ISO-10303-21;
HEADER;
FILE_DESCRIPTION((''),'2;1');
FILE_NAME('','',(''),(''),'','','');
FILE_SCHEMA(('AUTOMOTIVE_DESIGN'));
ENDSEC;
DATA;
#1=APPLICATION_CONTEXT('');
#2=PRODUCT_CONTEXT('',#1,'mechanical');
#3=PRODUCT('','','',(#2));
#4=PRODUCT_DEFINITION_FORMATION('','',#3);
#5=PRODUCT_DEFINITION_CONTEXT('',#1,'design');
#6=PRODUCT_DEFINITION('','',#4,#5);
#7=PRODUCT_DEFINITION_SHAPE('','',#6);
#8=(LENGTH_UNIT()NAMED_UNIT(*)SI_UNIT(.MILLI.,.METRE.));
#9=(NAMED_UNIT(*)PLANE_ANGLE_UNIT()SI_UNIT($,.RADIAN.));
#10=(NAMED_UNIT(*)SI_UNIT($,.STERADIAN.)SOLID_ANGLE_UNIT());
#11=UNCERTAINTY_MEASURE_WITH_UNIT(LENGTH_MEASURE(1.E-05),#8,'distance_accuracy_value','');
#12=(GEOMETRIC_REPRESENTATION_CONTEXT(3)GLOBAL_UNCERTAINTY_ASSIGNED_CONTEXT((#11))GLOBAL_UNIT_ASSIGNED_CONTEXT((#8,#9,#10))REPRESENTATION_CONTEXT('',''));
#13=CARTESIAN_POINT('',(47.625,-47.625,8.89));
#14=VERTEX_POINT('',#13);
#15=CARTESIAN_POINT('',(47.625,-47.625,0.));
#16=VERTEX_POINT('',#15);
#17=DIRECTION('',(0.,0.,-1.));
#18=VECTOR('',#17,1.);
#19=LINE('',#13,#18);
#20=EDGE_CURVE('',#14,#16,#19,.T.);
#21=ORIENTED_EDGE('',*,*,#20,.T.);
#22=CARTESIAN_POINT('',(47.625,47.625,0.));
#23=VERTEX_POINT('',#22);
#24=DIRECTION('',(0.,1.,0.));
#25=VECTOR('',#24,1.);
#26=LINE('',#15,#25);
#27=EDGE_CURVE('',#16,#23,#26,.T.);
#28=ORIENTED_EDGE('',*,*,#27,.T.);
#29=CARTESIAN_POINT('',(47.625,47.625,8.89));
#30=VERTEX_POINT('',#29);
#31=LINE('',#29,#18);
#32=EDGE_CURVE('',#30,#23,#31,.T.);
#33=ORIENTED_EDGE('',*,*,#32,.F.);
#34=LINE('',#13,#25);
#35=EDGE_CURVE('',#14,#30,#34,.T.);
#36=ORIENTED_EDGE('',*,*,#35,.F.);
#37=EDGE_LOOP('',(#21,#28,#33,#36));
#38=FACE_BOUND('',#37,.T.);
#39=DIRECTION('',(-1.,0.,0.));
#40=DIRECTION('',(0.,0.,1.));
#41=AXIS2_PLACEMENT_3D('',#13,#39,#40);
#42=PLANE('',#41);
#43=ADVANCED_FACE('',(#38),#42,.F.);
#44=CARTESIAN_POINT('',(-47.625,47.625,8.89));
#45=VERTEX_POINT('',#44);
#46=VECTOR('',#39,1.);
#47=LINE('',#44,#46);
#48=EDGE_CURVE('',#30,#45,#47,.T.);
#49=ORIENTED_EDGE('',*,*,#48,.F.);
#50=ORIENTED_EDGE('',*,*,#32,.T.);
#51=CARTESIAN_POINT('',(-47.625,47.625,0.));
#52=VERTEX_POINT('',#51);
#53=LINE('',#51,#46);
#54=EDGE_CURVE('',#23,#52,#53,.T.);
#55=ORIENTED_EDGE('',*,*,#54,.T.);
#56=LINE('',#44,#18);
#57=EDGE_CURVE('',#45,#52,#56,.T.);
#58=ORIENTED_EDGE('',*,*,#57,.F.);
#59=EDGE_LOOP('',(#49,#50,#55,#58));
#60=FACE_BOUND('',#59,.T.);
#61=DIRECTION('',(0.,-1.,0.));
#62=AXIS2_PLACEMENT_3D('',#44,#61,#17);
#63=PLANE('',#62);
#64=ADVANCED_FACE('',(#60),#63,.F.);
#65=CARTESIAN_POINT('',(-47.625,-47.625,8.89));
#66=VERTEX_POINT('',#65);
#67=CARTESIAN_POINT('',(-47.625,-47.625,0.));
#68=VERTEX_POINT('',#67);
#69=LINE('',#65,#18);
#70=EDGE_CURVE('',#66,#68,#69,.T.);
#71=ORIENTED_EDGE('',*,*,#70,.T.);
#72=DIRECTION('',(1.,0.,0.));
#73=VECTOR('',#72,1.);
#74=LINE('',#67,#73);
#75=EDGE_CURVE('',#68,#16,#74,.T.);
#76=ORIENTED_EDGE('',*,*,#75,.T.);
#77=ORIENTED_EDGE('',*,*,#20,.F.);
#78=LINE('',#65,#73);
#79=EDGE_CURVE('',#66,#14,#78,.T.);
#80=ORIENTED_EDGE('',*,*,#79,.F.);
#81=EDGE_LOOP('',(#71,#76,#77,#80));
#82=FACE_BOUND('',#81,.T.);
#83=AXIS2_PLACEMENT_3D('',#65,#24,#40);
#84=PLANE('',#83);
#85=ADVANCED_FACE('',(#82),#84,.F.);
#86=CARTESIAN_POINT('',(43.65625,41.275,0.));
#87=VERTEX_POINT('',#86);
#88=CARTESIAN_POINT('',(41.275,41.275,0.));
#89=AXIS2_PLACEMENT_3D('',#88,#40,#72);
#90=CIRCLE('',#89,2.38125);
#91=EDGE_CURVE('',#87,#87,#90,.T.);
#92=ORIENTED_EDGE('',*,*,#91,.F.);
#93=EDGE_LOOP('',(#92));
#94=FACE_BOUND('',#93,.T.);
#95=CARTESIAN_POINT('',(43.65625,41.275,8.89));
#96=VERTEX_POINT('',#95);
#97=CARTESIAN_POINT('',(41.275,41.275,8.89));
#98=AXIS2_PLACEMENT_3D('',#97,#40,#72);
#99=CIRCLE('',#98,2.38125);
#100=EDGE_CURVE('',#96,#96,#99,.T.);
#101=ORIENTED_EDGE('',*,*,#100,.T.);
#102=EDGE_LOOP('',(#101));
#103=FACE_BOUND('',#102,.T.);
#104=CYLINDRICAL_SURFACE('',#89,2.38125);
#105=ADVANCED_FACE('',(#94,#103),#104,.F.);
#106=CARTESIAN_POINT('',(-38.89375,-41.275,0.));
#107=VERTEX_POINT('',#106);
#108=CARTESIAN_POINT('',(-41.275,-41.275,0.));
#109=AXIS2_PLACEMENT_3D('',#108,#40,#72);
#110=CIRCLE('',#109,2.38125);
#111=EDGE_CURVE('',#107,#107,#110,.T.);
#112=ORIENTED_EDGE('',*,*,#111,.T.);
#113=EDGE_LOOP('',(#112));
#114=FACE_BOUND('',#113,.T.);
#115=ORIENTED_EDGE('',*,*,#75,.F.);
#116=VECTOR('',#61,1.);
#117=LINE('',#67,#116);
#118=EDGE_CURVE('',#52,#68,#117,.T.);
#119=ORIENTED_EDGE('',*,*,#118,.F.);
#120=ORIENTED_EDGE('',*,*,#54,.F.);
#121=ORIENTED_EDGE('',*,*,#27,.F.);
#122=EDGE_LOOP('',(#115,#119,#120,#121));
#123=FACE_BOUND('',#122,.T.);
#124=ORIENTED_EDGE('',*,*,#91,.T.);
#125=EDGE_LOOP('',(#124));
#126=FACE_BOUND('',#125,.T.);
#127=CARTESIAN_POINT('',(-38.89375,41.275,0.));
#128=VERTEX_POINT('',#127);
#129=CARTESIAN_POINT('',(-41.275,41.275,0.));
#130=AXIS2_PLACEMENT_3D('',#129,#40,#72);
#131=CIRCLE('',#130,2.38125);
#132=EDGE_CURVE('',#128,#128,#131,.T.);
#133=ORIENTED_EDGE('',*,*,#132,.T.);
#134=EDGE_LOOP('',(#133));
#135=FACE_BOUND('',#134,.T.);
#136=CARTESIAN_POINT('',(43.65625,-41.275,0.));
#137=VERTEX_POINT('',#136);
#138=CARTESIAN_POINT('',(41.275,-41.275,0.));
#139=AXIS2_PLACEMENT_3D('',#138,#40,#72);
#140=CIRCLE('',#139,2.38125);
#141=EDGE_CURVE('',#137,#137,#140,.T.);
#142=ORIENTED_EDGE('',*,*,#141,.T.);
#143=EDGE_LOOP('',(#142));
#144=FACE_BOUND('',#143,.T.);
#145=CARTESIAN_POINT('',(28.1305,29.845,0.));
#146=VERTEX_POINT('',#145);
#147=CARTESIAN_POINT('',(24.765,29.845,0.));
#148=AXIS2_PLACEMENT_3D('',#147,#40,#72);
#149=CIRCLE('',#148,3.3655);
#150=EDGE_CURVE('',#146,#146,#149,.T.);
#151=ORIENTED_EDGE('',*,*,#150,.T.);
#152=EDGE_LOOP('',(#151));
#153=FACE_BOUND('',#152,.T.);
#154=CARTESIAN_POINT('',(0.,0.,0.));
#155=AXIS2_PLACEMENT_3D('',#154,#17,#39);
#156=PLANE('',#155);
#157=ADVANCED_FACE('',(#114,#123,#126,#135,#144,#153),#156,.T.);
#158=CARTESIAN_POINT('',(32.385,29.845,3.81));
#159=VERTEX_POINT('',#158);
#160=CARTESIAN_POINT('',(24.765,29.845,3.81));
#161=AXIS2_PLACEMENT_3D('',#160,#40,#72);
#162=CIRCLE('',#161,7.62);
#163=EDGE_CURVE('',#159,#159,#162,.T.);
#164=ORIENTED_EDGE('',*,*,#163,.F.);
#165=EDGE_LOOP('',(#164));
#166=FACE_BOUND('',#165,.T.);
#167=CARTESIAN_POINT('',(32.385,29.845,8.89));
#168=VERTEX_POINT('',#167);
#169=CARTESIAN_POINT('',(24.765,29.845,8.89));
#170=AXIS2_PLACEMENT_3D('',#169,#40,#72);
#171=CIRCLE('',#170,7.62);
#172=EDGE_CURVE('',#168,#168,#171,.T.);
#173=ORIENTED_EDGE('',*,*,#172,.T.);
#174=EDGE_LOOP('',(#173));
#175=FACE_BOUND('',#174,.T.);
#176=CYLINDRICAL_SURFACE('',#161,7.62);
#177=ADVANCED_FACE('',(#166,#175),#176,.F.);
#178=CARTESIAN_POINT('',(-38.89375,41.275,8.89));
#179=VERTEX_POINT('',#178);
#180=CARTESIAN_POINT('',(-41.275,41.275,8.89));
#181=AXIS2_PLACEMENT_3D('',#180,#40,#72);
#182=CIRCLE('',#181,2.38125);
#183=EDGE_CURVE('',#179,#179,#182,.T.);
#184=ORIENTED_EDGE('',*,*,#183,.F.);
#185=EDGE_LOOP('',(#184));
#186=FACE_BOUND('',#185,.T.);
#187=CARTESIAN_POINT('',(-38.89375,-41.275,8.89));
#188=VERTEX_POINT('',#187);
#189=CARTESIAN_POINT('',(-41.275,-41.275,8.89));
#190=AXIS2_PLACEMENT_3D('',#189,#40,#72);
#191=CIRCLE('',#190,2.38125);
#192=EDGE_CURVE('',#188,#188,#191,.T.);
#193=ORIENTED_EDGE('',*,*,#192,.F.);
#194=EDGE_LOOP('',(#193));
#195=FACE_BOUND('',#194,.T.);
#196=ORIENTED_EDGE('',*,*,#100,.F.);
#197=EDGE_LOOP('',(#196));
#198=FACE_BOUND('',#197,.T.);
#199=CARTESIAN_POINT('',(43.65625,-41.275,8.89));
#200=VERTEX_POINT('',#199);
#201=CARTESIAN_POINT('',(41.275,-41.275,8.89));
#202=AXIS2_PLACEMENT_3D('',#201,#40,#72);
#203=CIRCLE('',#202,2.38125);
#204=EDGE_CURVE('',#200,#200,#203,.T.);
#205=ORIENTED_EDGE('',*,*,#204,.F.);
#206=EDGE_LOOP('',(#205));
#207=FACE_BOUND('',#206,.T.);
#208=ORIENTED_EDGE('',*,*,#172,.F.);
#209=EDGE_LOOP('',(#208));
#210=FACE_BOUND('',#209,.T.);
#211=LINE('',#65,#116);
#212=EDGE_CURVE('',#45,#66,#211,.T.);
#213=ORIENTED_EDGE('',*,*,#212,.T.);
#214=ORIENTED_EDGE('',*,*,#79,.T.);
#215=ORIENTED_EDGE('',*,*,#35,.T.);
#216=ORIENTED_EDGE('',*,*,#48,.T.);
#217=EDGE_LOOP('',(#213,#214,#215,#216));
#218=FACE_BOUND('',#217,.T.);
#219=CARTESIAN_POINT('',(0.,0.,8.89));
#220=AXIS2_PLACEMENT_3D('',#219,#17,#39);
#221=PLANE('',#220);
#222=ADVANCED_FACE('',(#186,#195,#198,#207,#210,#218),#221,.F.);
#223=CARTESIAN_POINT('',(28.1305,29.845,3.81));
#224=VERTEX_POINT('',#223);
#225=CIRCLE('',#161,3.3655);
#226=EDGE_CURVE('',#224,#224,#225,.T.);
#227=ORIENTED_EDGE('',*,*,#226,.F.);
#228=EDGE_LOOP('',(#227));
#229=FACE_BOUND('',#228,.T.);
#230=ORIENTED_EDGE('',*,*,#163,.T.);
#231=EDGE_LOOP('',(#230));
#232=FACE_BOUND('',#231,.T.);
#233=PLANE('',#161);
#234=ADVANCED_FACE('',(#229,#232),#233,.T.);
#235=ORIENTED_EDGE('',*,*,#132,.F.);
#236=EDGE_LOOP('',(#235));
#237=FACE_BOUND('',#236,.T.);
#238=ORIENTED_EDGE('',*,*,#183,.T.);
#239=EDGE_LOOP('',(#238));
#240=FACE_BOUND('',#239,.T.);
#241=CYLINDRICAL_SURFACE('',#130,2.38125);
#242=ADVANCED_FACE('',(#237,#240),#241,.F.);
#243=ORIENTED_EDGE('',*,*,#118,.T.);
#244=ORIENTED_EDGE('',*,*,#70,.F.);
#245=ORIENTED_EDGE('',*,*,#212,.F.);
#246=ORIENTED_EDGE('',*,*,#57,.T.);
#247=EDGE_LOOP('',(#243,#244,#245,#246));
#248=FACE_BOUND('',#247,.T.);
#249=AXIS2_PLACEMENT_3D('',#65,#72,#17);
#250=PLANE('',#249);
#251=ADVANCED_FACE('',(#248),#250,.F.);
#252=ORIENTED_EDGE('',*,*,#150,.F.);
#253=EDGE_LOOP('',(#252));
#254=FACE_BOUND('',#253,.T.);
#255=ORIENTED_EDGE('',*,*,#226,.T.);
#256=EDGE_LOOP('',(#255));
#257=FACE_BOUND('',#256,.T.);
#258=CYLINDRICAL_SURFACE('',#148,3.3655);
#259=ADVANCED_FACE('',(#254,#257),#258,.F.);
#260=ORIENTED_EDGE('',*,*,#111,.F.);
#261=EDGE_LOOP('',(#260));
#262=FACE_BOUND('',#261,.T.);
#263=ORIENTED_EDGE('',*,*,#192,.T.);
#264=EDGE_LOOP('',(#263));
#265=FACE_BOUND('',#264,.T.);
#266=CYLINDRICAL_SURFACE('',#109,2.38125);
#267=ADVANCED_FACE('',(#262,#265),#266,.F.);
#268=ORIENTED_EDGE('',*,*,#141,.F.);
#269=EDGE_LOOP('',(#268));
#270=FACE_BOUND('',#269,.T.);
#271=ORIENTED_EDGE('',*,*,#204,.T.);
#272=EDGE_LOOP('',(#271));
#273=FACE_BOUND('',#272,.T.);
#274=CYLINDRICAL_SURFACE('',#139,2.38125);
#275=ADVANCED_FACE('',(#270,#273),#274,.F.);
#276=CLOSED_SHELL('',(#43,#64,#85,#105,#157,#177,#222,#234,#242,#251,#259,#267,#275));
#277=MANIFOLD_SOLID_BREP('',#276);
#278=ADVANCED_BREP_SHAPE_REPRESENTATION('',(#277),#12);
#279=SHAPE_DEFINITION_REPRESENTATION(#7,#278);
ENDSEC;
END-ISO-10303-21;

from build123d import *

# Parameters (mm, degrees)
SKETCH1_W           = 95.25
SKETCH1_H           = 95.25
BOSS_EXTRUDE1_DEPTH = 8.89
SKETCH2_OUTSIDE_W   = 124.25
SKETCH2_OUTSIDE_H   = 124.25
SKETCH2_OUTSIDE_W_2 = 95.25
SKETCH2_OUTSIDE_H_2 = 95.25
SKETCH2_OUTSIDE_R   = 2.38125
CUT_EXTRUDE2_DEPTH  = 9.89
SKETCH3_R           = 7.62
CUT_EXTRUDE3_DEPTH  = 5.08
SKETCH4_R           = 3.3655
CUT_EXTRUDE4_DEPTH  = 4.81


with BuildPart() as part:
    # Sketch1 → Boss-Extrude1 (new body)
    with BuildSketch(Plane.XY):
        Rectangle(SKETCH1_W, SKETCH1_H)
    extrude(amount=BOSS_EXTRUDE1_DEPTH)

    # Sketch2 outside → Cut-Extrude2 (cut, through all)
    with BuildSketch(Plane.XY.offset(8.89)):
        Rectangle(SKETCH2_OUTSIDE_W, SKETCH2_OUTSIDE_H)
        Rectangle(SKETCH2_OUTSIDE_W_2, SKETCH2_OUTSIDE_H_2, mode=Mode.SUBTRACT)
        with Locations((-41.275, 41.275)):
            Circle(SKETCH2_OUTSIDE_R)
        with Locations((41.275, 41.275)):
            Circle(SKETCH2_OUTSIDE_R)
        with Locations((41.275, -41.275)):
            Circle(SKETCH2_OUTSIDE_R)
        with Locations((-41.275, -41.275)):
            Circle(SKETCH2_OUTSIDE_R)
    extrude(amount=-CUT_EXTRUDE2_DEPTH, mode=Mode.SUBTRACT)

    # Sketch3 → Cut-Extrude3 (cut)
    with BuildSketch(Plane.XY.offset(8.89)):
        with Locations((24.765, 29.845)):
            Circle(SKETCH3_R)
    extrude(amount=-CUT_EXTRUDE3_DEPTH, mode=Mode.SUBTRACT)

    # Sketch4 → Cut-Extrude4 (cut, through all)
    with BuildSketch(Plane.XY.offset(3.81)):
        with Locations((24.765, 29.845)):
            Circle(SKETCH4_R)
    extrude(amount=-CUT_EXTRUDE4_DEPTH, mode=Mode.SUBTRACT)


solid = part.part
